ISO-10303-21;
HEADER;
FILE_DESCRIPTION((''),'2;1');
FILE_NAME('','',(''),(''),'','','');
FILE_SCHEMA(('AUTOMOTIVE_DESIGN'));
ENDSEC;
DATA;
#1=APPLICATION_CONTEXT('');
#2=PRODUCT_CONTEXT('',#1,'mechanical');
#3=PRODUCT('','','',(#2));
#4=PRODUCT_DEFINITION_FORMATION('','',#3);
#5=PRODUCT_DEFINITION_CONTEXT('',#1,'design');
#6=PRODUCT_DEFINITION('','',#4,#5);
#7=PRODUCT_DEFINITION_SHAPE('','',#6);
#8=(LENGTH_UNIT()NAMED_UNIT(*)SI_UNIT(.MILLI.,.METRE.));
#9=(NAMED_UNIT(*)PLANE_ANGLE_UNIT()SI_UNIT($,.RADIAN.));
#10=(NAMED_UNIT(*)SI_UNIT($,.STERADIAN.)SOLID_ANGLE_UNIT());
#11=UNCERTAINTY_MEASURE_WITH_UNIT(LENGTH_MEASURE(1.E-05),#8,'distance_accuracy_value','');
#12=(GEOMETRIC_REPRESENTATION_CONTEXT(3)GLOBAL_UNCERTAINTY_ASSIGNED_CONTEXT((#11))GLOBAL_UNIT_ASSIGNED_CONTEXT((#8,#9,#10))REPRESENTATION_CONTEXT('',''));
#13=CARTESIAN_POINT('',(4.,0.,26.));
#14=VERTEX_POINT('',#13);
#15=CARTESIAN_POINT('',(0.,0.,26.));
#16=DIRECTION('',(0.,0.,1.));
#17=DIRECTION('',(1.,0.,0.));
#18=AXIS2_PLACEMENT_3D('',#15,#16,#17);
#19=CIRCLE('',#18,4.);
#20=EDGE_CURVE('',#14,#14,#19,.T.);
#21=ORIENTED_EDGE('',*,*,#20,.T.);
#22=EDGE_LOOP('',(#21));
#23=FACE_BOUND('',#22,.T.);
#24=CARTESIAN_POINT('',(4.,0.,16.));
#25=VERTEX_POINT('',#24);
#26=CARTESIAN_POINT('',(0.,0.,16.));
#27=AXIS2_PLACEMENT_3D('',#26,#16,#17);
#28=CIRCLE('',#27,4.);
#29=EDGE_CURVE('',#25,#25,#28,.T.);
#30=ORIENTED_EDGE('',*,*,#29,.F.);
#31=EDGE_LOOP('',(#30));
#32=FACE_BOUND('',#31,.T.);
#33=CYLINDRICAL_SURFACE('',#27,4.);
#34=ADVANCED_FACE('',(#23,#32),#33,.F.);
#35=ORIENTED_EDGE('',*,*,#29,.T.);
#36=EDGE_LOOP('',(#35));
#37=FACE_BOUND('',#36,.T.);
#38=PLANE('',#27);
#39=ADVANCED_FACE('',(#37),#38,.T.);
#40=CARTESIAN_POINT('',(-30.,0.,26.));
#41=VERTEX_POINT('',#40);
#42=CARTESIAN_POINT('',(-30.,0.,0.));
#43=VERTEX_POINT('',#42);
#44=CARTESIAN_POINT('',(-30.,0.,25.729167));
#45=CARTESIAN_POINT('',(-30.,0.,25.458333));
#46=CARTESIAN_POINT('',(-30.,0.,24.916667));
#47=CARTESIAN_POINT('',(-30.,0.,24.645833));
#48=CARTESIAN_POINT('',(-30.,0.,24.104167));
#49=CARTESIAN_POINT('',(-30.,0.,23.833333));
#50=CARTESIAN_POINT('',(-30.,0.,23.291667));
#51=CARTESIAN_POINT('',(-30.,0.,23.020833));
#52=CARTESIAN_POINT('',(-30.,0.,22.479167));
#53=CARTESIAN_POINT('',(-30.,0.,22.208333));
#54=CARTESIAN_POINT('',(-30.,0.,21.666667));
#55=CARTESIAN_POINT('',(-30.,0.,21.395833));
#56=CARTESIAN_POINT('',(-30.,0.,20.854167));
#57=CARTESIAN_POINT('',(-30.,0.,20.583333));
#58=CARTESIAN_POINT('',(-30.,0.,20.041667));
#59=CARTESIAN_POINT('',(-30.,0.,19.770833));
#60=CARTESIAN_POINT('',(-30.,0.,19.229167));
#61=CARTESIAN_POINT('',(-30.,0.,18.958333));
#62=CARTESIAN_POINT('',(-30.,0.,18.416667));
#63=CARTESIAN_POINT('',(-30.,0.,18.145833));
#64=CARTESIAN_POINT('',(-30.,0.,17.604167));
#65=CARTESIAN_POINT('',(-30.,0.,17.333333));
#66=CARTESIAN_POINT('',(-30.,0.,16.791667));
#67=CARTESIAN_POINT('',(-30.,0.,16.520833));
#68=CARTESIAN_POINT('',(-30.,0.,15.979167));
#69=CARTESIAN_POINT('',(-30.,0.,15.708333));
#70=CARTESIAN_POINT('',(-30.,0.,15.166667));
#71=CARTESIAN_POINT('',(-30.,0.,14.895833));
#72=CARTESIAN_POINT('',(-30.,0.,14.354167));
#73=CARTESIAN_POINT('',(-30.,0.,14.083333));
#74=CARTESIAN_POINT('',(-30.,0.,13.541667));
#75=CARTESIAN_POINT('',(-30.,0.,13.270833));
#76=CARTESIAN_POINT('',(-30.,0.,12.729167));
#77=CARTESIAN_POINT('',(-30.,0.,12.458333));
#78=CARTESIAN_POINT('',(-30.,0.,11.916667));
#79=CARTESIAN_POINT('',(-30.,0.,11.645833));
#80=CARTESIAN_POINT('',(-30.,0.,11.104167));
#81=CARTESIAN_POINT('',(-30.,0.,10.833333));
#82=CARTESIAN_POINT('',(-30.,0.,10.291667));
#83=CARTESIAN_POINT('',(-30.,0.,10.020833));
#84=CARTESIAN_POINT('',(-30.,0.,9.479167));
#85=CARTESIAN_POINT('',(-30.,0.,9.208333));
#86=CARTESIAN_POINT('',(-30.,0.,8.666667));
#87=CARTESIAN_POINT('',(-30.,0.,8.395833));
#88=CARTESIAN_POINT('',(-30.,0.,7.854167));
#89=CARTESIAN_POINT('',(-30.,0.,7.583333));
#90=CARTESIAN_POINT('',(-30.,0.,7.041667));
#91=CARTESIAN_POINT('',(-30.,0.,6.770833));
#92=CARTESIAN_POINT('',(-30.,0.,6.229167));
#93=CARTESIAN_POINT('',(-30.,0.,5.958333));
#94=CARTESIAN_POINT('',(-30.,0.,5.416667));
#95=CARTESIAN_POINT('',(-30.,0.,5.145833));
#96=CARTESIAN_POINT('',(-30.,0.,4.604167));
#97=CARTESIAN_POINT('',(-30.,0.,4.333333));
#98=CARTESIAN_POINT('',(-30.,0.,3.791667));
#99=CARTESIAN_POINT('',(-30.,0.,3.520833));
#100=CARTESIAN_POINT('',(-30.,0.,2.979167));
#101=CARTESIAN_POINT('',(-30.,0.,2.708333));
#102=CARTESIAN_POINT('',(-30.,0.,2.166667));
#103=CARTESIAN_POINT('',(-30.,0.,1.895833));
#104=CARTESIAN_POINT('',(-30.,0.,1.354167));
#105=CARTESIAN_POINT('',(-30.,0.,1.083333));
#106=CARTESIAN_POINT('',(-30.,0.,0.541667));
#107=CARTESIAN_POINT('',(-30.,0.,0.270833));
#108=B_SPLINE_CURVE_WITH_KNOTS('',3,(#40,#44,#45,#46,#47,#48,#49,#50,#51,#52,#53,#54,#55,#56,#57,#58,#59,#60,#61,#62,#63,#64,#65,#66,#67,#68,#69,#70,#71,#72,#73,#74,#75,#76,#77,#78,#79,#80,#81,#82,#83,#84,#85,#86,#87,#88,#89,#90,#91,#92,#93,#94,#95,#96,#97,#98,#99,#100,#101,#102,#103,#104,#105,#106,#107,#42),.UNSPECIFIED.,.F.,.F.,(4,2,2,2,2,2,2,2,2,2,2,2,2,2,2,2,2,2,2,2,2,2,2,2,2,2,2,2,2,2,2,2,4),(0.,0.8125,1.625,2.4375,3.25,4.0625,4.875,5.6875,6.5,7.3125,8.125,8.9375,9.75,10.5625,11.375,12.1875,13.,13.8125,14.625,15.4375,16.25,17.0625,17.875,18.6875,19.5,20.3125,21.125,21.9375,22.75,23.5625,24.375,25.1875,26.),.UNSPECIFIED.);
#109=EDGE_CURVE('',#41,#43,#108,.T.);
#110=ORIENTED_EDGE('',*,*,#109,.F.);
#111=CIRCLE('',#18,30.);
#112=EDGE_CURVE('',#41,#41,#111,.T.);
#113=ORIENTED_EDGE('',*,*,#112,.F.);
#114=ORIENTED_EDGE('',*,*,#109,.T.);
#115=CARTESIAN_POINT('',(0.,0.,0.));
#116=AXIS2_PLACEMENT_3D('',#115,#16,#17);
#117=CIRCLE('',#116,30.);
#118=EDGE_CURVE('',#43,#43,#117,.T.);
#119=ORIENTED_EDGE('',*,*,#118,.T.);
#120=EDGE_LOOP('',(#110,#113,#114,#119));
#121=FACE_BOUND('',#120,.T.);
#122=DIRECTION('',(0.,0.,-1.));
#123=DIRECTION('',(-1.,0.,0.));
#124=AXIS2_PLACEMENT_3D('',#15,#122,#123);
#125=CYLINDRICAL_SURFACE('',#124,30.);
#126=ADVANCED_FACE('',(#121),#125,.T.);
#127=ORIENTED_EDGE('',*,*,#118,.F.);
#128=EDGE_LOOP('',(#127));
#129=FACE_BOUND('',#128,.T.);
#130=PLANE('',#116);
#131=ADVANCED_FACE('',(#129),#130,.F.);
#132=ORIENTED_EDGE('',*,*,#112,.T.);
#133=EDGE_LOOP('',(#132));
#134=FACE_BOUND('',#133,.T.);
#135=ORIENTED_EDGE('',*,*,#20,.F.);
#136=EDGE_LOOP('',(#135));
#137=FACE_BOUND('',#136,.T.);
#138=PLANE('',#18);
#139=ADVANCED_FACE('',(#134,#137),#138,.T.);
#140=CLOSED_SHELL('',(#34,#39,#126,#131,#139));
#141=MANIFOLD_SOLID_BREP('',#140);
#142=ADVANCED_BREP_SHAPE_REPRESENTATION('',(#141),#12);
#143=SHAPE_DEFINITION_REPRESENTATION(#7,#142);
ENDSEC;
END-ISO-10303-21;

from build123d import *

# Parameters (mm, degrees)
SKETCH1_R           = 30
BOSS_EXTRUDE1_DEPTH = 26
SKETCH2_R           = 4
CUT_EXTRUDE1_DEPTH  = 10


with BuildPart() as part:
    # Sketch1 → Boss-Extrude1 (new body)
    with BuildSketch(Plane.XY):
        with Locations(Location((0, 0, 0), (0, 0, 180))):
            Circle(SKETCH1_R)
    extrude(amount=BOSS_EXTRUDE1_DEPTH)

    # Sketch2 → Cut-Extrude1 (cut)
    with BuildSketch(Plane.XY.offset(26)):
        Circle(SKETCH2_R)
    extrude(amount=-CUT_EXTRUDE1_DEPTH, mode=Mode.SUBTRACT)


solid = part.part
